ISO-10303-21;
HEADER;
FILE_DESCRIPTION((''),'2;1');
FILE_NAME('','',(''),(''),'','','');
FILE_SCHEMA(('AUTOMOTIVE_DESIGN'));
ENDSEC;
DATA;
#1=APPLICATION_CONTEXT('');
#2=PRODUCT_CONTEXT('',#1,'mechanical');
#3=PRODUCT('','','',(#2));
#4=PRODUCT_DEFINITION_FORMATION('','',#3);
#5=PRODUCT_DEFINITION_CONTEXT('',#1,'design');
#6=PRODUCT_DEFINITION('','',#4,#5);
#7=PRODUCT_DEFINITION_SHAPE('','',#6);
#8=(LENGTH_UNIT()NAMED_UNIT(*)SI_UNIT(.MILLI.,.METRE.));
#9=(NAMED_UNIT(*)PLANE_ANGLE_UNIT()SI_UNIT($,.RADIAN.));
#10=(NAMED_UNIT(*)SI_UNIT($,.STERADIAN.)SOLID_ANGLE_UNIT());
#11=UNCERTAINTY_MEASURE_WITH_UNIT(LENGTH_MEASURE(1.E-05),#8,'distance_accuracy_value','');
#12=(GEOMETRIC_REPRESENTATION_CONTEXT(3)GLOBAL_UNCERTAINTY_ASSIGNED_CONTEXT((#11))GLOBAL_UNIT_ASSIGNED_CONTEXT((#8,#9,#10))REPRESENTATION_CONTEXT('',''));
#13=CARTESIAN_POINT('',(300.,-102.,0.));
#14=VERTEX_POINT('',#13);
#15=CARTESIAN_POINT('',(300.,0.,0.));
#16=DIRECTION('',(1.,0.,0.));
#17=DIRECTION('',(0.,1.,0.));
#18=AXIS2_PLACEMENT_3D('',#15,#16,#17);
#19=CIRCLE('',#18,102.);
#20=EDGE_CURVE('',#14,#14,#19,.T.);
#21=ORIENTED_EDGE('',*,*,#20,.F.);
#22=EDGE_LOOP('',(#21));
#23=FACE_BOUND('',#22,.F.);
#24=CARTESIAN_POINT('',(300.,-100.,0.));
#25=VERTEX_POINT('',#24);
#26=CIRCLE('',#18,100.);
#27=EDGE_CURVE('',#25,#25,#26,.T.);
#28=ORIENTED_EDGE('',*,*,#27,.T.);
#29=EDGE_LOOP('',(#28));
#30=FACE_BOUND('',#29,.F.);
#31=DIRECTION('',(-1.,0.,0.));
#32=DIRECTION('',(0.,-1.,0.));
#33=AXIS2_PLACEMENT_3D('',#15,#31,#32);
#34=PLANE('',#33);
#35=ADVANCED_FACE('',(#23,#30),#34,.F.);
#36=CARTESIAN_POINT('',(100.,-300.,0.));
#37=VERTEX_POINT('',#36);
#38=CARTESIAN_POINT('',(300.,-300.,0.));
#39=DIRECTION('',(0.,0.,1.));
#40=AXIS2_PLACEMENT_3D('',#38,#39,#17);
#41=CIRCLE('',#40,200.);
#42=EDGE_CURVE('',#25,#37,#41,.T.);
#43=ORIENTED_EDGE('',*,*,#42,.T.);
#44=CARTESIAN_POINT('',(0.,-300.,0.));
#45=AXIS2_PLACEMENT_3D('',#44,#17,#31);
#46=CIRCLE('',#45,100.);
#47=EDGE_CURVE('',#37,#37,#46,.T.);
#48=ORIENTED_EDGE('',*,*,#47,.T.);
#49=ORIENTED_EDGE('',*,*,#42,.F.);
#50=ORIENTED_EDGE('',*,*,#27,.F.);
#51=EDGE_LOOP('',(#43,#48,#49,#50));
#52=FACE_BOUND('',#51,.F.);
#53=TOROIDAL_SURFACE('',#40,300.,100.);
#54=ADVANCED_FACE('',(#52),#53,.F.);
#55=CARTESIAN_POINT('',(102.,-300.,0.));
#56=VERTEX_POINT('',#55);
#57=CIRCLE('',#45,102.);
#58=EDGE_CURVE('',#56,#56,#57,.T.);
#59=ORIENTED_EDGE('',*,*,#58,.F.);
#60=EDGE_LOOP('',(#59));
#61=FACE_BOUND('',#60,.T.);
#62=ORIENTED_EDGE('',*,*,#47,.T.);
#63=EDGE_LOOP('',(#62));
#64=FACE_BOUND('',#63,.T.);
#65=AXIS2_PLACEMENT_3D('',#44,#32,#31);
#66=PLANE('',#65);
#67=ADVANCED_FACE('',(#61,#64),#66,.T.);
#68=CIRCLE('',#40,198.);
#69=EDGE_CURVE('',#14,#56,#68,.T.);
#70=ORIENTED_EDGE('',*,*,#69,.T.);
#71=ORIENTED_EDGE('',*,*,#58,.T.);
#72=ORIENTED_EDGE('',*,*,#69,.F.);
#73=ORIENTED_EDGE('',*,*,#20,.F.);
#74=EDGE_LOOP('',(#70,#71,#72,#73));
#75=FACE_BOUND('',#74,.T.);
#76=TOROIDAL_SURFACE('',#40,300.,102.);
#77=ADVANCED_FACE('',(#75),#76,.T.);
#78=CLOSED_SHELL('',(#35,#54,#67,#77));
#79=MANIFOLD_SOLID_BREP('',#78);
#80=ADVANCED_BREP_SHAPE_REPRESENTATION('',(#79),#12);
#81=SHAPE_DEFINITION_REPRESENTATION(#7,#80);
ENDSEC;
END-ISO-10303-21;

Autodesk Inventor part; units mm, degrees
ref_plane "YZ Plane" through (0, 0, 0) normal (1, 0, 0) x (0, 1, 0)
ref_plane "XZ Plane" through (0, 0, 0) normal (0, 1, 0) x (-1, 0, 0)
sketch "Szkic6" plane through (0, 0, 0) normal (0, 0, 1) x (1, 0, 0)
  line L0 (-29.6067, 0) -> (35.2678, 0) construction
  line L1 (0, 42.3419) -> (0, -58.3726) construction
  arc A0 (300, 0) -> (0, -300) centre (300, -300) ccw
  line L2 (0, -300) -> (300, -300) construction
  line L3 (300, -300) -> (300, -234.4669) construction
  line L4 (300, 0) -> (300, 0)
  line L5 (0, -300) -> (0, -300)
  point P0 (0, 0)
  dimension "d24" = 300
  dimension "d31" = 90
  dimension "d36" = 0
  dimension "d37" = 0
ref_plane "Płaszczyzna konstrukcyjna2" through (0, -300, 0) normal (0, -1, 0) x (1, 0, 0)
sketch "Szkic8" plane through (0, -300, 0) normal (0, -1, 0) x (1, 0, 0)
  circle A0 centre (0, 0) radius 102
  circle A1 centre (0, 0) radius 100
  dimension "d32" = 204
  dimension "d33" = 2
sweep "Przeciągnięcie2" add profiles "Szkic8" path "Szkic6"
equation "\"d32\" = OD"
equation "\"d33\" = THK"
equation "\"d24\" = R"
equation "\"d31\" = KAT"
equation "\"SzerokośćGięciaPodcięcia\" = Grubość"
equation "\"RozmiarPodcięciaNarożnika\" = 4 * Grubość"
equation "\"PromieńPrzejścia\" = PromieńGięcia"
equation "\"Rozmiar_promienia_Jacobiego\" = PromieńGięcia"
equation "\"Wielk_odstępu\" = Grubość"
equation "\"d2\" = PromieńGięcia"
equation "\"d23\" = PromieńGięcia"
equation "\"R\" = 300"
equation "\"OD\" = 204"
equation "\"THK\" = 2"
equation "\"KAT\" = 90deg"
equation "\"PROSTKA\" = 0"
equation "\"Grubość\" = 1.5"
equation "\"PromieńGięcia\" = 3"
properties part number "Kolano 90° ø204x2 R300" material "304L"
